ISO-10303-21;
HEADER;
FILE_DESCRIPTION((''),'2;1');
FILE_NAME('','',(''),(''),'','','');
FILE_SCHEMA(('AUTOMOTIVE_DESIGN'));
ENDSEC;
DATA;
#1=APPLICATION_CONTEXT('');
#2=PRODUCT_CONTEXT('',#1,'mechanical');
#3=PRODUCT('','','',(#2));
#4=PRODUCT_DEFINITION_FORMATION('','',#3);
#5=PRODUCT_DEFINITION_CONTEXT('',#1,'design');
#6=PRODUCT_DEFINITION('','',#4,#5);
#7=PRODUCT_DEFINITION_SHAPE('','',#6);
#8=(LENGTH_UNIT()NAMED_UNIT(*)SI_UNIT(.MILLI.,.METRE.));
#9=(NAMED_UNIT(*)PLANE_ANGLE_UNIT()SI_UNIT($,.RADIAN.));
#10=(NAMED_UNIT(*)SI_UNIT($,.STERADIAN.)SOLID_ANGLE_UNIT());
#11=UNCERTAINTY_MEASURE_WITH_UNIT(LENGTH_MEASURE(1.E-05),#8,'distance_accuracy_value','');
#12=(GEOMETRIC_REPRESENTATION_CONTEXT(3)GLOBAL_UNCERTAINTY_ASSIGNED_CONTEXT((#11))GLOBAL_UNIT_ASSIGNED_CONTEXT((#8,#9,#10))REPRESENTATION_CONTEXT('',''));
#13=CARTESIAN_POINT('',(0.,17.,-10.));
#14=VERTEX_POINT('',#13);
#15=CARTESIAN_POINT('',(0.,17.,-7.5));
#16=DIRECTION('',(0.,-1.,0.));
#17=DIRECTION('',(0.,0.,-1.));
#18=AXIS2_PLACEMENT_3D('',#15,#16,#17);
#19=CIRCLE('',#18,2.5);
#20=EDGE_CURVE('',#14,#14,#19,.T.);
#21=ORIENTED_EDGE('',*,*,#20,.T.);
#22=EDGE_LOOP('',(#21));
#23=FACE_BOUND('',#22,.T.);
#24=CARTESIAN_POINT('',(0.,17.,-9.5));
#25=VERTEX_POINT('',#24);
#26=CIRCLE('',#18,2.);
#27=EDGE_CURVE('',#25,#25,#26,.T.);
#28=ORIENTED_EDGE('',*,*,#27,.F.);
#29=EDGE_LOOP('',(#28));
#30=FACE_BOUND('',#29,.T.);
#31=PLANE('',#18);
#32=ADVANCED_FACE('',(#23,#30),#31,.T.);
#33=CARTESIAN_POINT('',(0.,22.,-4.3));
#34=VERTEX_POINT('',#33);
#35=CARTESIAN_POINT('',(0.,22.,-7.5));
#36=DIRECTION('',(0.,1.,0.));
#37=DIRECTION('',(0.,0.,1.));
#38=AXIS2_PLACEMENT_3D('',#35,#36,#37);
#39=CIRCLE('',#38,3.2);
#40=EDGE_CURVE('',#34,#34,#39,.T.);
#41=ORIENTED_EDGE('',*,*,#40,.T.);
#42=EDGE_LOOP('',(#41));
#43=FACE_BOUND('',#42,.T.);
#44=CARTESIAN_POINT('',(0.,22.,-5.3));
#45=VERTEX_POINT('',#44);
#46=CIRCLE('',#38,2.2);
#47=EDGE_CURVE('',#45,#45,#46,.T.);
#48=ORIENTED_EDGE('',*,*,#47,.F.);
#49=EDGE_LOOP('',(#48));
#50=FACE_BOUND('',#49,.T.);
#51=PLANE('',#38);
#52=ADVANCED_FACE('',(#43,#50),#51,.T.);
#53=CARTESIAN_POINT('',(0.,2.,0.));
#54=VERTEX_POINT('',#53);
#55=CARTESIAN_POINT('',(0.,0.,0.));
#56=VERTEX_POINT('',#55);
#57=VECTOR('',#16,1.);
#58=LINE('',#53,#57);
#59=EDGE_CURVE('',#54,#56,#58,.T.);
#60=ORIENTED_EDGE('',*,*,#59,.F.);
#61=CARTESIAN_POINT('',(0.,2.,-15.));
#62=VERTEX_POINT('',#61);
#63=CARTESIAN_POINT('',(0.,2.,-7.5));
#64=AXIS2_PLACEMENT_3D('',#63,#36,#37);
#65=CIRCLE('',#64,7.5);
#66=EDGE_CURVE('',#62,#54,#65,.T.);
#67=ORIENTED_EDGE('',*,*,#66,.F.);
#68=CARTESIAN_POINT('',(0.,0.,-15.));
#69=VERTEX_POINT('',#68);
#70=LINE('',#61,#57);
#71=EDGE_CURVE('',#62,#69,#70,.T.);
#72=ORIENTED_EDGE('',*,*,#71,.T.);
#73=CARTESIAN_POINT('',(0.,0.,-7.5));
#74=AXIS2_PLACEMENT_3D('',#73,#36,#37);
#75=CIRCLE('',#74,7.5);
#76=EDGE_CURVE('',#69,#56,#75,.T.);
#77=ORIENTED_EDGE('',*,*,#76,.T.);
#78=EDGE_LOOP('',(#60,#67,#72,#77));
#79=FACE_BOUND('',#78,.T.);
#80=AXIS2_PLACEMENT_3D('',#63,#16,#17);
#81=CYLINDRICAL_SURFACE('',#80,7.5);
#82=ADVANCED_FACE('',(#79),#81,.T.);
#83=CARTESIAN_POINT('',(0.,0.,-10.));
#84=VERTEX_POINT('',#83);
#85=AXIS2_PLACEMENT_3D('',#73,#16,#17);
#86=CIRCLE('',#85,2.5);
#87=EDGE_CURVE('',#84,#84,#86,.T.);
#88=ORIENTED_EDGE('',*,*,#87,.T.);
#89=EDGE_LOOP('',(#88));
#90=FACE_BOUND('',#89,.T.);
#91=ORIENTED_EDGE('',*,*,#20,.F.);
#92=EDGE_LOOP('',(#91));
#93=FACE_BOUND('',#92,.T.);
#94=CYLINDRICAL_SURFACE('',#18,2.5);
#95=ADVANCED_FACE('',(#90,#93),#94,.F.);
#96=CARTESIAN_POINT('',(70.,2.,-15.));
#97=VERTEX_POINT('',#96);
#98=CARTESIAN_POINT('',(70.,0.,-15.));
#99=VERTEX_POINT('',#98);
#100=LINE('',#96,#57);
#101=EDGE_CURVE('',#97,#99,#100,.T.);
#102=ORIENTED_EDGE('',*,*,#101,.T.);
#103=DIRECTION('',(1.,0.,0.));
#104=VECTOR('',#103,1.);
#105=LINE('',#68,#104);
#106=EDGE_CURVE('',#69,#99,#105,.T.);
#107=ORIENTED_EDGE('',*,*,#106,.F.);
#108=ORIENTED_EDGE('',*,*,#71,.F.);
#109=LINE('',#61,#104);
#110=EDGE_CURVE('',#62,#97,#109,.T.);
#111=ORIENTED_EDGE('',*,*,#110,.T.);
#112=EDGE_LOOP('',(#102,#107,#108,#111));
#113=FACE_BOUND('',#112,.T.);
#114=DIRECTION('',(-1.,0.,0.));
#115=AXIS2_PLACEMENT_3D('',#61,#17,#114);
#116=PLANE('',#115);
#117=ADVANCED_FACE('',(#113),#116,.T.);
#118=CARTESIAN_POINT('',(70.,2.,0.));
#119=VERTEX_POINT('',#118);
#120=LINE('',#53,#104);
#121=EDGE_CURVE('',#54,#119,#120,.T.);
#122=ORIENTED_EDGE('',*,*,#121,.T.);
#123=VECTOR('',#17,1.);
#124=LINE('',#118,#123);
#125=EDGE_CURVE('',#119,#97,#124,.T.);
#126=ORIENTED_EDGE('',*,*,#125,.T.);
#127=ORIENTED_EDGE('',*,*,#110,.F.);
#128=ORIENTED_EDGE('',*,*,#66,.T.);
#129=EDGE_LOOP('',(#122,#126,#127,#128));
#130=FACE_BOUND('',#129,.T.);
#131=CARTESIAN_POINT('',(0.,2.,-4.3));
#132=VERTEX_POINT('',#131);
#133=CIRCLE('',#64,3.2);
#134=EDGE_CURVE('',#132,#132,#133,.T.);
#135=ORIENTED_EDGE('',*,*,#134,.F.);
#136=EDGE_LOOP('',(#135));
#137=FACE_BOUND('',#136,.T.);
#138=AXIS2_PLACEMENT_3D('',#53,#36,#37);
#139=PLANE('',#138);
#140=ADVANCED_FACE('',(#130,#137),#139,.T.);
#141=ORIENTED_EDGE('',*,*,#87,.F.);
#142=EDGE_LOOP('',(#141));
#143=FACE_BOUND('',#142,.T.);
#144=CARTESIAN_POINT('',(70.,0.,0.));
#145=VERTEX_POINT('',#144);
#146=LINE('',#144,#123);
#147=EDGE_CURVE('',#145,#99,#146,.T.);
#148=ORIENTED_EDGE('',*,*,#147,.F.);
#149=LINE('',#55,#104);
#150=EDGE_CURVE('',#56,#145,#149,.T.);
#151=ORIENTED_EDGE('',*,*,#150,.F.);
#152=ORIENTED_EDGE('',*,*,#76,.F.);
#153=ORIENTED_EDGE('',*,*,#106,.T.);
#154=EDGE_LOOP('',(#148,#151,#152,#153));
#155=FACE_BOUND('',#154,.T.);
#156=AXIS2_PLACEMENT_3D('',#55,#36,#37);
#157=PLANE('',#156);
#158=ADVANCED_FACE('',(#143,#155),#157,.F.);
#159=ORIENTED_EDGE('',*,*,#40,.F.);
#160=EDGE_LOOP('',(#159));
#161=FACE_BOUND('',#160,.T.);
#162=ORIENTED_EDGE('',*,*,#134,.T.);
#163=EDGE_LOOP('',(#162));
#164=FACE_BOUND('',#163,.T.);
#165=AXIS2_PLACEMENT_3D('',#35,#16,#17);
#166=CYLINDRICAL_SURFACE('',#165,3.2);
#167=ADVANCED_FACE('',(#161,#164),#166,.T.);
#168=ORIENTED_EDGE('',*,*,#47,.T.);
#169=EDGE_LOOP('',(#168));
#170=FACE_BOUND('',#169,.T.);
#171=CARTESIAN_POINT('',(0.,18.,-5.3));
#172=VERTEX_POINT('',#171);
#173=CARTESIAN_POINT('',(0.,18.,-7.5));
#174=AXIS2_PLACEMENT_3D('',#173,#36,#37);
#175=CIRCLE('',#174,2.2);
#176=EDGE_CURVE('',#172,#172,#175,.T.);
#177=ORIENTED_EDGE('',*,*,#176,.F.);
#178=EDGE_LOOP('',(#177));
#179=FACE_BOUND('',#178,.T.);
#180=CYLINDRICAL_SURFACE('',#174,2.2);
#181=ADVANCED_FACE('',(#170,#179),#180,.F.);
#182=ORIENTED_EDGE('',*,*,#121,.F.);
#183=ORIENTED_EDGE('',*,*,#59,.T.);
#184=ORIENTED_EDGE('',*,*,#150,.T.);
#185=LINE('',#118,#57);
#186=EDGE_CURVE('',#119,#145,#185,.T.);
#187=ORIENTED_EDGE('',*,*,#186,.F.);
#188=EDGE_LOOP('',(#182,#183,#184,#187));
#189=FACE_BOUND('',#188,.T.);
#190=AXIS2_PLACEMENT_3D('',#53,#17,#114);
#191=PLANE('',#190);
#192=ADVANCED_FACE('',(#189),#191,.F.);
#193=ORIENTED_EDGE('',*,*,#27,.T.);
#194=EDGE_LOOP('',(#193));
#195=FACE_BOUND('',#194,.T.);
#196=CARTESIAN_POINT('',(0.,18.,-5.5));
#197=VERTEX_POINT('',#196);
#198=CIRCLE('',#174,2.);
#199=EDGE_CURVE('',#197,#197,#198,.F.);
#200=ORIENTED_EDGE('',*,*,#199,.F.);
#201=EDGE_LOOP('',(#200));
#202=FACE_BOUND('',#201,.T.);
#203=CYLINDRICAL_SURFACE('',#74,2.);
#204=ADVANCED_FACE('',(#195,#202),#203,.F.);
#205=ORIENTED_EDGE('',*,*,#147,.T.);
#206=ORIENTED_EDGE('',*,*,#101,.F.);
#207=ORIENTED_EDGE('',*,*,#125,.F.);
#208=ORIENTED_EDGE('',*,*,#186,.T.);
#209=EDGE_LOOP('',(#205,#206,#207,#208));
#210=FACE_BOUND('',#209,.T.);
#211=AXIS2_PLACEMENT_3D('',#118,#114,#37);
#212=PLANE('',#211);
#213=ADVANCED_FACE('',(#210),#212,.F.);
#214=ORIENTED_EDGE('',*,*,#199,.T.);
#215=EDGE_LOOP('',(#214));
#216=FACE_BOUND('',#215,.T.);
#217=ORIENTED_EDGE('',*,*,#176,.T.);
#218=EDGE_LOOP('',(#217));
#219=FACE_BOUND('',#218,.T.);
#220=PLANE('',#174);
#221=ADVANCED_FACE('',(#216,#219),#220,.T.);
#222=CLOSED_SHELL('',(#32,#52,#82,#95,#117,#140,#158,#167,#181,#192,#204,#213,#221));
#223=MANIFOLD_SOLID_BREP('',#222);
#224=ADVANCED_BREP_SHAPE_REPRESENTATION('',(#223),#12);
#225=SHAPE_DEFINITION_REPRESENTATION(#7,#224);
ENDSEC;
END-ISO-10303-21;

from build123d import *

# Parameters (mm, degrees)
SKETCH1_W           = 70
SKETCH1_H           = 15
BOSS_EXTRUDE1_DEPTH = 2
BOSS_EXTRUDE2_START = -2
SKETCH2_R           = 7.5
BOSS_EXTRUDE2_DEPTH = 2
SKETCH3_R           = 3.2
SKETCH3_R_2         = 2.4
BOSS_EXTRUDE5_DEPTH = 20
SKETCH10_R          = 2.4
CUT_EXTRUDE1_DEPTH  = 16
SKETCH11_R          = 3.2
SKETCH11_R_2        = 2.199750497
BOSS_EXTRUDE6_DEPTH = 22
SKETCH12_R          = 2.2
SKETCH12_R_2        = 2
BOSS_EXTRUDE8_DEPTH = 22
SKETCH13_R          = 2.2
CUT_EXTRUDE2_DEPTH  = 4
SKETCH14_R          = 2.5
SKETCH14_R_2        = 2
CUT_EXTRUDE4_DEPTH  = 17


with BuildPart() as part:
    # Sketch1 → Boss-Extrude1 (new body)
    with BuildSketch(Plane(origin=(0, 0, 0), x_dir=(1, 0, 0), z_dir=(0, 1, 0))):
        with Locations((35, 7.5)):
            Rectangle(SKETCH1_W, SKETCH1_H)
    extrude(amount=BOSS_EXTRUDE1_DEPTH)

    # Sketch2 → Boss-Extrude2 (add)
    with BuildSketch(Plane(origin=(0, 2, 0), x_dir=(1, 0, 0), z_dir=(0, 1, 0)).offset(BOSS_EXTRUDE2_START)):
        with Locations((0, 7.5)):
            Circle(SKETCH2_R)
    extrude(amount=BOSS_EXTRUDE2_DEPTH)

    # Sketch3 → Boss-Extrude5 (add)
    with BuildSketch(Plane(origin=(0, 2, 0), x_dir=(1, 0, 0), z_dir=(0, 1, 0))):
        with Locations((0, 7.5)):
            Circle(SKETCH3_R)
        with Locations((0, 7.5)):
            Circle(SKETCH3_R_2, mode=Mode.SUBTRACT)
    extrude(amount=BOSS_EXTRUDE5_DEPTH)

    # Sketch10 → Cut-Extrude1 (cut)
    with BuildSketch(Plane(origin=(0, 2, 0), x_dir=(1, 0, 0), z_dir=(0, 1, 0))):
        with Locations((0, 7.5)):
            Circle(SKETCH10_R)
    extrude(amount=-CUT_EXTRUDE1_DEPTH, mode=Mode.SUBTRACT)

    # Sketch11 → Boss-Extrude6 (add)
    with BuildSketch(Plane(origin=(0, 22, 0), x_dir=(1, 0, 0), z_dir=(0, 1, 0))):
        with Locations((0, 7.5)):
            Circle(SKETCH11_R)
        with Locations((0, 7.5)):
            Circle(SKETCH11_R_2, mode=Mode.SUBTRACT)
    extrude(amount=-BOSS_EXTRUDE6_DEPTH)

    # Sketch12 → Boss-Extrude8 (add)
    with BuildSketch(Plane(origin=(0, 22, 0), x_dir=(1, 0, 0), z_dir=(0, 1, 0))):
        with Locations((0, 7.5)):
            Circle(SKETCH12_R)
        with Locations((0, 7.5)):
            Circle(SKETCH12_R_2, mode=Mode.SUBTRACT)
    extrude(amount=-BOSS_EXTRUDE8_DEPTH)

    # Sketch13 → Cut-Extrude2 (cut)
    with BuildSketch(Plane(origin=(0, 22, 0), x_dir=(1, 0, 0), z_dir=(0, 1, 0))):
        with Locations((0, 7.5)):
            Circle(SKETCH13_R)
    extrude(amount=-CUT_EXTRUDE2_DEPTH, mode=Mode.SUBTRACT)

    # Sketch14 → Cut-Extrude4 (cut)
    with BuildSketch(Plane.XZ):
        with Locations((0, -7.5)):
            Circle(SKETCH14_R)
        with Locations((0, -7.5)):
            Circle(SKETCH14_R_2, mode=Mode.SUBTRACT)
    extrude(amount=-CUT_EXTRUDE4_DEPTH, mode=Mode.SUBTRACT)


solid = part.part
